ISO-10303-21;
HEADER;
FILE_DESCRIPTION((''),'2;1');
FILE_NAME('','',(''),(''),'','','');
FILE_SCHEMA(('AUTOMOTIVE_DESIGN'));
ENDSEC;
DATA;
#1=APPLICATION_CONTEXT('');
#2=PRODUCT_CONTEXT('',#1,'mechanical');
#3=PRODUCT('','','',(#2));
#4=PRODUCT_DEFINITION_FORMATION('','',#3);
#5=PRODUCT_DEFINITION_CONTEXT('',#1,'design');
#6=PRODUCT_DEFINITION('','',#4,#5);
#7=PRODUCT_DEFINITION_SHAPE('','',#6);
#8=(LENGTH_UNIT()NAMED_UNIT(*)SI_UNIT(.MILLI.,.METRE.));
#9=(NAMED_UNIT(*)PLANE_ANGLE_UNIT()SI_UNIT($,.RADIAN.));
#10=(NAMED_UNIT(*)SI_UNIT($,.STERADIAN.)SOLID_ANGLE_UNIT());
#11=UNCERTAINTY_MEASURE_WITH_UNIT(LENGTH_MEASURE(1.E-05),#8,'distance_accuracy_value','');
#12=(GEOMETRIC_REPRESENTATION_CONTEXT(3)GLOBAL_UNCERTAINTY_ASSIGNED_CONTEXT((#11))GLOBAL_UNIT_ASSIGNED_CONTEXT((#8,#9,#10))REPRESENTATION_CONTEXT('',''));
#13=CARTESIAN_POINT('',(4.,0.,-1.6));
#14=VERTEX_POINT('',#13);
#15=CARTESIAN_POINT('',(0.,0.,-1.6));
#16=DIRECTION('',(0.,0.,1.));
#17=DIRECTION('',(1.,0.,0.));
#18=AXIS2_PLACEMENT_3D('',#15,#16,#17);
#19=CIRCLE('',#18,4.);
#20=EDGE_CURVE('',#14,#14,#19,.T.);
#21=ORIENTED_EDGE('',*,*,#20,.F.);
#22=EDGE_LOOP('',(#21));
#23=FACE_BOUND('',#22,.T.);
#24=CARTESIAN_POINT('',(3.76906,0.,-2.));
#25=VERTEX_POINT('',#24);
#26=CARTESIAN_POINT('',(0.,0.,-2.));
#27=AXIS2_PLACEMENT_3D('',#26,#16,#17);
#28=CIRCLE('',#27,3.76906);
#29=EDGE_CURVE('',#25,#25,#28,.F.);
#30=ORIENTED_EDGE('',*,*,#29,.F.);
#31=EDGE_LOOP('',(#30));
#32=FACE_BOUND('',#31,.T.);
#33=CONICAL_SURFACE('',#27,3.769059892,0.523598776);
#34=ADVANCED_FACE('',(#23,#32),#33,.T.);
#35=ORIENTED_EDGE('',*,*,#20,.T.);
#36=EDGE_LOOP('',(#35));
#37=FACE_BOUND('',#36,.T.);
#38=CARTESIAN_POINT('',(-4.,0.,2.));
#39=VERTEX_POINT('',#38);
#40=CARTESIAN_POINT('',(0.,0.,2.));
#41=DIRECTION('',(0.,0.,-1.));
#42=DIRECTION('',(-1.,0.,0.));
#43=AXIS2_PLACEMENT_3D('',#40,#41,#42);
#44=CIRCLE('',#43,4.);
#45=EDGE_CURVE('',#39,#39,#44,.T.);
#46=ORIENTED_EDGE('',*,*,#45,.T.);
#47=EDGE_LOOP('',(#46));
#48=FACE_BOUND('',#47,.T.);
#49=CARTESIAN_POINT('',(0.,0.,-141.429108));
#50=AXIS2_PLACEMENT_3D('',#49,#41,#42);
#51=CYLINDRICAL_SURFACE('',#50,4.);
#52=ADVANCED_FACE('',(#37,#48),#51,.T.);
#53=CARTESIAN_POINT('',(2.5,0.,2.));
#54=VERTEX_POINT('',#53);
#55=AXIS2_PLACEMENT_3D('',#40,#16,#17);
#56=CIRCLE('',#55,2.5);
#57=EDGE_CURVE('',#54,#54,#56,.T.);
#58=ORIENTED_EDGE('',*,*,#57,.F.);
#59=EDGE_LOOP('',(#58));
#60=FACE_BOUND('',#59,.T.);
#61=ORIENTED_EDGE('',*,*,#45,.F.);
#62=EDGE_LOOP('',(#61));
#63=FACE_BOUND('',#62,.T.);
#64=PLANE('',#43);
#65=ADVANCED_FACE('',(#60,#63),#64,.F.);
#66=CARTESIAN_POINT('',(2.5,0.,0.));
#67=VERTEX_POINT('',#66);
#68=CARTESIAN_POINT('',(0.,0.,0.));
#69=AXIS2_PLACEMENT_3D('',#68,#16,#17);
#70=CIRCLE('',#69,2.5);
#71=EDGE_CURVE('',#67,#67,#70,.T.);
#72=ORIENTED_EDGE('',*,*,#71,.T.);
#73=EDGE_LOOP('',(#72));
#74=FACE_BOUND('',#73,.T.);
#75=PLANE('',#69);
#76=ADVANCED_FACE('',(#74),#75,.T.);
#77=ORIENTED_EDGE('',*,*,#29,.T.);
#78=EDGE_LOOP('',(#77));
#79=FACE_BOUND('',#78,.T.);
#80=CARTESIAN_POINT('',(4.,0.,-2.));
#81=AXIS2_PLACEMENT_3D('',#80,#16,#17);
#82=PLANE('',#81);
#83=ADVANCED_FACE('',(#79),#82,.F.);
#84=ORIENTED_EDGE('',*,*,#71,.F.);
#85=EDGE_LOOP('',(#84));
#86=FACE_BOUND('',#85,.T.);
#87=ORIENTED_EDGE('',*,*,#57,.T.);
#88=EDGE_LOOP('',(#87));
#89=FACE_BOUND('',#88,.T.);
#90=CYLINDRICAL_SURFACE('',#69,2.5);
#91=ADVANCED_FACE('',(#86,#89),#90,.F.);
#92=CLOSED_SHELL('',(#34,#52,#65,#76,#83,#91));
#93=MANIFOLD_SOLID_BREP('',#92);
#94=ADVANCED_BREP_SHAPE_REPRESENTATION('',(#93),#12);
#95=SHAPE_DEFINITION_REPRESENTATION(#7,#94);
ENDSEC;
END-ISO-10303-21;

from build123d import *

# Parameters (mm, degrees)
SKETCH1_W          = 4
SKETCH1_H          = 4
CHAMFER1_SIZE      = 0.4
CHAMFER1_SIZE2     = 0.230940108
SKETCH2_R          = 2.5
CUT_EXTRUDE1_DEPTH = 2


with BuildPart() as part:
    # Sketch1 → Revolve1 (revolve)
    with BuildSketch(Plane(origin=(0, 0, 0), x_dir=(1, 0, 0), z_dir=(0, 1, 0))):
        with Locations((2, 0)):
            Rectangle(SKETCH1_W, SKETCH1_H)
    revolve(axis=Axis((0, 0, -141.429107981), (0, 0, 1)))

    # Chamfer1
    chamfer1_edges = [part.edges().sort_by_distance(p)[0] for p in [
        (-4, 0, -2),
    ]]
    chamfer1_side = [part.faces().sort_by_distance(p)[0] for p in [
        (-4, 0, 0),
    ]]
    chamfer(chamfer1_edges, length=CHAMFER1_SIZE, length2=CHAMFER1_SIZE2, reference=chamfer1_side[0])

    # Sketch2 → Cut-Extrude1 (cut)
    with BuildSketch(Plane.XY.offset(2)):
        Circle(SKETCH2_R)
    extrude(amount=-CUT_EXTRUDE1_DEPTH, mode=Mode.SUBTRACT)


solid = part.part
